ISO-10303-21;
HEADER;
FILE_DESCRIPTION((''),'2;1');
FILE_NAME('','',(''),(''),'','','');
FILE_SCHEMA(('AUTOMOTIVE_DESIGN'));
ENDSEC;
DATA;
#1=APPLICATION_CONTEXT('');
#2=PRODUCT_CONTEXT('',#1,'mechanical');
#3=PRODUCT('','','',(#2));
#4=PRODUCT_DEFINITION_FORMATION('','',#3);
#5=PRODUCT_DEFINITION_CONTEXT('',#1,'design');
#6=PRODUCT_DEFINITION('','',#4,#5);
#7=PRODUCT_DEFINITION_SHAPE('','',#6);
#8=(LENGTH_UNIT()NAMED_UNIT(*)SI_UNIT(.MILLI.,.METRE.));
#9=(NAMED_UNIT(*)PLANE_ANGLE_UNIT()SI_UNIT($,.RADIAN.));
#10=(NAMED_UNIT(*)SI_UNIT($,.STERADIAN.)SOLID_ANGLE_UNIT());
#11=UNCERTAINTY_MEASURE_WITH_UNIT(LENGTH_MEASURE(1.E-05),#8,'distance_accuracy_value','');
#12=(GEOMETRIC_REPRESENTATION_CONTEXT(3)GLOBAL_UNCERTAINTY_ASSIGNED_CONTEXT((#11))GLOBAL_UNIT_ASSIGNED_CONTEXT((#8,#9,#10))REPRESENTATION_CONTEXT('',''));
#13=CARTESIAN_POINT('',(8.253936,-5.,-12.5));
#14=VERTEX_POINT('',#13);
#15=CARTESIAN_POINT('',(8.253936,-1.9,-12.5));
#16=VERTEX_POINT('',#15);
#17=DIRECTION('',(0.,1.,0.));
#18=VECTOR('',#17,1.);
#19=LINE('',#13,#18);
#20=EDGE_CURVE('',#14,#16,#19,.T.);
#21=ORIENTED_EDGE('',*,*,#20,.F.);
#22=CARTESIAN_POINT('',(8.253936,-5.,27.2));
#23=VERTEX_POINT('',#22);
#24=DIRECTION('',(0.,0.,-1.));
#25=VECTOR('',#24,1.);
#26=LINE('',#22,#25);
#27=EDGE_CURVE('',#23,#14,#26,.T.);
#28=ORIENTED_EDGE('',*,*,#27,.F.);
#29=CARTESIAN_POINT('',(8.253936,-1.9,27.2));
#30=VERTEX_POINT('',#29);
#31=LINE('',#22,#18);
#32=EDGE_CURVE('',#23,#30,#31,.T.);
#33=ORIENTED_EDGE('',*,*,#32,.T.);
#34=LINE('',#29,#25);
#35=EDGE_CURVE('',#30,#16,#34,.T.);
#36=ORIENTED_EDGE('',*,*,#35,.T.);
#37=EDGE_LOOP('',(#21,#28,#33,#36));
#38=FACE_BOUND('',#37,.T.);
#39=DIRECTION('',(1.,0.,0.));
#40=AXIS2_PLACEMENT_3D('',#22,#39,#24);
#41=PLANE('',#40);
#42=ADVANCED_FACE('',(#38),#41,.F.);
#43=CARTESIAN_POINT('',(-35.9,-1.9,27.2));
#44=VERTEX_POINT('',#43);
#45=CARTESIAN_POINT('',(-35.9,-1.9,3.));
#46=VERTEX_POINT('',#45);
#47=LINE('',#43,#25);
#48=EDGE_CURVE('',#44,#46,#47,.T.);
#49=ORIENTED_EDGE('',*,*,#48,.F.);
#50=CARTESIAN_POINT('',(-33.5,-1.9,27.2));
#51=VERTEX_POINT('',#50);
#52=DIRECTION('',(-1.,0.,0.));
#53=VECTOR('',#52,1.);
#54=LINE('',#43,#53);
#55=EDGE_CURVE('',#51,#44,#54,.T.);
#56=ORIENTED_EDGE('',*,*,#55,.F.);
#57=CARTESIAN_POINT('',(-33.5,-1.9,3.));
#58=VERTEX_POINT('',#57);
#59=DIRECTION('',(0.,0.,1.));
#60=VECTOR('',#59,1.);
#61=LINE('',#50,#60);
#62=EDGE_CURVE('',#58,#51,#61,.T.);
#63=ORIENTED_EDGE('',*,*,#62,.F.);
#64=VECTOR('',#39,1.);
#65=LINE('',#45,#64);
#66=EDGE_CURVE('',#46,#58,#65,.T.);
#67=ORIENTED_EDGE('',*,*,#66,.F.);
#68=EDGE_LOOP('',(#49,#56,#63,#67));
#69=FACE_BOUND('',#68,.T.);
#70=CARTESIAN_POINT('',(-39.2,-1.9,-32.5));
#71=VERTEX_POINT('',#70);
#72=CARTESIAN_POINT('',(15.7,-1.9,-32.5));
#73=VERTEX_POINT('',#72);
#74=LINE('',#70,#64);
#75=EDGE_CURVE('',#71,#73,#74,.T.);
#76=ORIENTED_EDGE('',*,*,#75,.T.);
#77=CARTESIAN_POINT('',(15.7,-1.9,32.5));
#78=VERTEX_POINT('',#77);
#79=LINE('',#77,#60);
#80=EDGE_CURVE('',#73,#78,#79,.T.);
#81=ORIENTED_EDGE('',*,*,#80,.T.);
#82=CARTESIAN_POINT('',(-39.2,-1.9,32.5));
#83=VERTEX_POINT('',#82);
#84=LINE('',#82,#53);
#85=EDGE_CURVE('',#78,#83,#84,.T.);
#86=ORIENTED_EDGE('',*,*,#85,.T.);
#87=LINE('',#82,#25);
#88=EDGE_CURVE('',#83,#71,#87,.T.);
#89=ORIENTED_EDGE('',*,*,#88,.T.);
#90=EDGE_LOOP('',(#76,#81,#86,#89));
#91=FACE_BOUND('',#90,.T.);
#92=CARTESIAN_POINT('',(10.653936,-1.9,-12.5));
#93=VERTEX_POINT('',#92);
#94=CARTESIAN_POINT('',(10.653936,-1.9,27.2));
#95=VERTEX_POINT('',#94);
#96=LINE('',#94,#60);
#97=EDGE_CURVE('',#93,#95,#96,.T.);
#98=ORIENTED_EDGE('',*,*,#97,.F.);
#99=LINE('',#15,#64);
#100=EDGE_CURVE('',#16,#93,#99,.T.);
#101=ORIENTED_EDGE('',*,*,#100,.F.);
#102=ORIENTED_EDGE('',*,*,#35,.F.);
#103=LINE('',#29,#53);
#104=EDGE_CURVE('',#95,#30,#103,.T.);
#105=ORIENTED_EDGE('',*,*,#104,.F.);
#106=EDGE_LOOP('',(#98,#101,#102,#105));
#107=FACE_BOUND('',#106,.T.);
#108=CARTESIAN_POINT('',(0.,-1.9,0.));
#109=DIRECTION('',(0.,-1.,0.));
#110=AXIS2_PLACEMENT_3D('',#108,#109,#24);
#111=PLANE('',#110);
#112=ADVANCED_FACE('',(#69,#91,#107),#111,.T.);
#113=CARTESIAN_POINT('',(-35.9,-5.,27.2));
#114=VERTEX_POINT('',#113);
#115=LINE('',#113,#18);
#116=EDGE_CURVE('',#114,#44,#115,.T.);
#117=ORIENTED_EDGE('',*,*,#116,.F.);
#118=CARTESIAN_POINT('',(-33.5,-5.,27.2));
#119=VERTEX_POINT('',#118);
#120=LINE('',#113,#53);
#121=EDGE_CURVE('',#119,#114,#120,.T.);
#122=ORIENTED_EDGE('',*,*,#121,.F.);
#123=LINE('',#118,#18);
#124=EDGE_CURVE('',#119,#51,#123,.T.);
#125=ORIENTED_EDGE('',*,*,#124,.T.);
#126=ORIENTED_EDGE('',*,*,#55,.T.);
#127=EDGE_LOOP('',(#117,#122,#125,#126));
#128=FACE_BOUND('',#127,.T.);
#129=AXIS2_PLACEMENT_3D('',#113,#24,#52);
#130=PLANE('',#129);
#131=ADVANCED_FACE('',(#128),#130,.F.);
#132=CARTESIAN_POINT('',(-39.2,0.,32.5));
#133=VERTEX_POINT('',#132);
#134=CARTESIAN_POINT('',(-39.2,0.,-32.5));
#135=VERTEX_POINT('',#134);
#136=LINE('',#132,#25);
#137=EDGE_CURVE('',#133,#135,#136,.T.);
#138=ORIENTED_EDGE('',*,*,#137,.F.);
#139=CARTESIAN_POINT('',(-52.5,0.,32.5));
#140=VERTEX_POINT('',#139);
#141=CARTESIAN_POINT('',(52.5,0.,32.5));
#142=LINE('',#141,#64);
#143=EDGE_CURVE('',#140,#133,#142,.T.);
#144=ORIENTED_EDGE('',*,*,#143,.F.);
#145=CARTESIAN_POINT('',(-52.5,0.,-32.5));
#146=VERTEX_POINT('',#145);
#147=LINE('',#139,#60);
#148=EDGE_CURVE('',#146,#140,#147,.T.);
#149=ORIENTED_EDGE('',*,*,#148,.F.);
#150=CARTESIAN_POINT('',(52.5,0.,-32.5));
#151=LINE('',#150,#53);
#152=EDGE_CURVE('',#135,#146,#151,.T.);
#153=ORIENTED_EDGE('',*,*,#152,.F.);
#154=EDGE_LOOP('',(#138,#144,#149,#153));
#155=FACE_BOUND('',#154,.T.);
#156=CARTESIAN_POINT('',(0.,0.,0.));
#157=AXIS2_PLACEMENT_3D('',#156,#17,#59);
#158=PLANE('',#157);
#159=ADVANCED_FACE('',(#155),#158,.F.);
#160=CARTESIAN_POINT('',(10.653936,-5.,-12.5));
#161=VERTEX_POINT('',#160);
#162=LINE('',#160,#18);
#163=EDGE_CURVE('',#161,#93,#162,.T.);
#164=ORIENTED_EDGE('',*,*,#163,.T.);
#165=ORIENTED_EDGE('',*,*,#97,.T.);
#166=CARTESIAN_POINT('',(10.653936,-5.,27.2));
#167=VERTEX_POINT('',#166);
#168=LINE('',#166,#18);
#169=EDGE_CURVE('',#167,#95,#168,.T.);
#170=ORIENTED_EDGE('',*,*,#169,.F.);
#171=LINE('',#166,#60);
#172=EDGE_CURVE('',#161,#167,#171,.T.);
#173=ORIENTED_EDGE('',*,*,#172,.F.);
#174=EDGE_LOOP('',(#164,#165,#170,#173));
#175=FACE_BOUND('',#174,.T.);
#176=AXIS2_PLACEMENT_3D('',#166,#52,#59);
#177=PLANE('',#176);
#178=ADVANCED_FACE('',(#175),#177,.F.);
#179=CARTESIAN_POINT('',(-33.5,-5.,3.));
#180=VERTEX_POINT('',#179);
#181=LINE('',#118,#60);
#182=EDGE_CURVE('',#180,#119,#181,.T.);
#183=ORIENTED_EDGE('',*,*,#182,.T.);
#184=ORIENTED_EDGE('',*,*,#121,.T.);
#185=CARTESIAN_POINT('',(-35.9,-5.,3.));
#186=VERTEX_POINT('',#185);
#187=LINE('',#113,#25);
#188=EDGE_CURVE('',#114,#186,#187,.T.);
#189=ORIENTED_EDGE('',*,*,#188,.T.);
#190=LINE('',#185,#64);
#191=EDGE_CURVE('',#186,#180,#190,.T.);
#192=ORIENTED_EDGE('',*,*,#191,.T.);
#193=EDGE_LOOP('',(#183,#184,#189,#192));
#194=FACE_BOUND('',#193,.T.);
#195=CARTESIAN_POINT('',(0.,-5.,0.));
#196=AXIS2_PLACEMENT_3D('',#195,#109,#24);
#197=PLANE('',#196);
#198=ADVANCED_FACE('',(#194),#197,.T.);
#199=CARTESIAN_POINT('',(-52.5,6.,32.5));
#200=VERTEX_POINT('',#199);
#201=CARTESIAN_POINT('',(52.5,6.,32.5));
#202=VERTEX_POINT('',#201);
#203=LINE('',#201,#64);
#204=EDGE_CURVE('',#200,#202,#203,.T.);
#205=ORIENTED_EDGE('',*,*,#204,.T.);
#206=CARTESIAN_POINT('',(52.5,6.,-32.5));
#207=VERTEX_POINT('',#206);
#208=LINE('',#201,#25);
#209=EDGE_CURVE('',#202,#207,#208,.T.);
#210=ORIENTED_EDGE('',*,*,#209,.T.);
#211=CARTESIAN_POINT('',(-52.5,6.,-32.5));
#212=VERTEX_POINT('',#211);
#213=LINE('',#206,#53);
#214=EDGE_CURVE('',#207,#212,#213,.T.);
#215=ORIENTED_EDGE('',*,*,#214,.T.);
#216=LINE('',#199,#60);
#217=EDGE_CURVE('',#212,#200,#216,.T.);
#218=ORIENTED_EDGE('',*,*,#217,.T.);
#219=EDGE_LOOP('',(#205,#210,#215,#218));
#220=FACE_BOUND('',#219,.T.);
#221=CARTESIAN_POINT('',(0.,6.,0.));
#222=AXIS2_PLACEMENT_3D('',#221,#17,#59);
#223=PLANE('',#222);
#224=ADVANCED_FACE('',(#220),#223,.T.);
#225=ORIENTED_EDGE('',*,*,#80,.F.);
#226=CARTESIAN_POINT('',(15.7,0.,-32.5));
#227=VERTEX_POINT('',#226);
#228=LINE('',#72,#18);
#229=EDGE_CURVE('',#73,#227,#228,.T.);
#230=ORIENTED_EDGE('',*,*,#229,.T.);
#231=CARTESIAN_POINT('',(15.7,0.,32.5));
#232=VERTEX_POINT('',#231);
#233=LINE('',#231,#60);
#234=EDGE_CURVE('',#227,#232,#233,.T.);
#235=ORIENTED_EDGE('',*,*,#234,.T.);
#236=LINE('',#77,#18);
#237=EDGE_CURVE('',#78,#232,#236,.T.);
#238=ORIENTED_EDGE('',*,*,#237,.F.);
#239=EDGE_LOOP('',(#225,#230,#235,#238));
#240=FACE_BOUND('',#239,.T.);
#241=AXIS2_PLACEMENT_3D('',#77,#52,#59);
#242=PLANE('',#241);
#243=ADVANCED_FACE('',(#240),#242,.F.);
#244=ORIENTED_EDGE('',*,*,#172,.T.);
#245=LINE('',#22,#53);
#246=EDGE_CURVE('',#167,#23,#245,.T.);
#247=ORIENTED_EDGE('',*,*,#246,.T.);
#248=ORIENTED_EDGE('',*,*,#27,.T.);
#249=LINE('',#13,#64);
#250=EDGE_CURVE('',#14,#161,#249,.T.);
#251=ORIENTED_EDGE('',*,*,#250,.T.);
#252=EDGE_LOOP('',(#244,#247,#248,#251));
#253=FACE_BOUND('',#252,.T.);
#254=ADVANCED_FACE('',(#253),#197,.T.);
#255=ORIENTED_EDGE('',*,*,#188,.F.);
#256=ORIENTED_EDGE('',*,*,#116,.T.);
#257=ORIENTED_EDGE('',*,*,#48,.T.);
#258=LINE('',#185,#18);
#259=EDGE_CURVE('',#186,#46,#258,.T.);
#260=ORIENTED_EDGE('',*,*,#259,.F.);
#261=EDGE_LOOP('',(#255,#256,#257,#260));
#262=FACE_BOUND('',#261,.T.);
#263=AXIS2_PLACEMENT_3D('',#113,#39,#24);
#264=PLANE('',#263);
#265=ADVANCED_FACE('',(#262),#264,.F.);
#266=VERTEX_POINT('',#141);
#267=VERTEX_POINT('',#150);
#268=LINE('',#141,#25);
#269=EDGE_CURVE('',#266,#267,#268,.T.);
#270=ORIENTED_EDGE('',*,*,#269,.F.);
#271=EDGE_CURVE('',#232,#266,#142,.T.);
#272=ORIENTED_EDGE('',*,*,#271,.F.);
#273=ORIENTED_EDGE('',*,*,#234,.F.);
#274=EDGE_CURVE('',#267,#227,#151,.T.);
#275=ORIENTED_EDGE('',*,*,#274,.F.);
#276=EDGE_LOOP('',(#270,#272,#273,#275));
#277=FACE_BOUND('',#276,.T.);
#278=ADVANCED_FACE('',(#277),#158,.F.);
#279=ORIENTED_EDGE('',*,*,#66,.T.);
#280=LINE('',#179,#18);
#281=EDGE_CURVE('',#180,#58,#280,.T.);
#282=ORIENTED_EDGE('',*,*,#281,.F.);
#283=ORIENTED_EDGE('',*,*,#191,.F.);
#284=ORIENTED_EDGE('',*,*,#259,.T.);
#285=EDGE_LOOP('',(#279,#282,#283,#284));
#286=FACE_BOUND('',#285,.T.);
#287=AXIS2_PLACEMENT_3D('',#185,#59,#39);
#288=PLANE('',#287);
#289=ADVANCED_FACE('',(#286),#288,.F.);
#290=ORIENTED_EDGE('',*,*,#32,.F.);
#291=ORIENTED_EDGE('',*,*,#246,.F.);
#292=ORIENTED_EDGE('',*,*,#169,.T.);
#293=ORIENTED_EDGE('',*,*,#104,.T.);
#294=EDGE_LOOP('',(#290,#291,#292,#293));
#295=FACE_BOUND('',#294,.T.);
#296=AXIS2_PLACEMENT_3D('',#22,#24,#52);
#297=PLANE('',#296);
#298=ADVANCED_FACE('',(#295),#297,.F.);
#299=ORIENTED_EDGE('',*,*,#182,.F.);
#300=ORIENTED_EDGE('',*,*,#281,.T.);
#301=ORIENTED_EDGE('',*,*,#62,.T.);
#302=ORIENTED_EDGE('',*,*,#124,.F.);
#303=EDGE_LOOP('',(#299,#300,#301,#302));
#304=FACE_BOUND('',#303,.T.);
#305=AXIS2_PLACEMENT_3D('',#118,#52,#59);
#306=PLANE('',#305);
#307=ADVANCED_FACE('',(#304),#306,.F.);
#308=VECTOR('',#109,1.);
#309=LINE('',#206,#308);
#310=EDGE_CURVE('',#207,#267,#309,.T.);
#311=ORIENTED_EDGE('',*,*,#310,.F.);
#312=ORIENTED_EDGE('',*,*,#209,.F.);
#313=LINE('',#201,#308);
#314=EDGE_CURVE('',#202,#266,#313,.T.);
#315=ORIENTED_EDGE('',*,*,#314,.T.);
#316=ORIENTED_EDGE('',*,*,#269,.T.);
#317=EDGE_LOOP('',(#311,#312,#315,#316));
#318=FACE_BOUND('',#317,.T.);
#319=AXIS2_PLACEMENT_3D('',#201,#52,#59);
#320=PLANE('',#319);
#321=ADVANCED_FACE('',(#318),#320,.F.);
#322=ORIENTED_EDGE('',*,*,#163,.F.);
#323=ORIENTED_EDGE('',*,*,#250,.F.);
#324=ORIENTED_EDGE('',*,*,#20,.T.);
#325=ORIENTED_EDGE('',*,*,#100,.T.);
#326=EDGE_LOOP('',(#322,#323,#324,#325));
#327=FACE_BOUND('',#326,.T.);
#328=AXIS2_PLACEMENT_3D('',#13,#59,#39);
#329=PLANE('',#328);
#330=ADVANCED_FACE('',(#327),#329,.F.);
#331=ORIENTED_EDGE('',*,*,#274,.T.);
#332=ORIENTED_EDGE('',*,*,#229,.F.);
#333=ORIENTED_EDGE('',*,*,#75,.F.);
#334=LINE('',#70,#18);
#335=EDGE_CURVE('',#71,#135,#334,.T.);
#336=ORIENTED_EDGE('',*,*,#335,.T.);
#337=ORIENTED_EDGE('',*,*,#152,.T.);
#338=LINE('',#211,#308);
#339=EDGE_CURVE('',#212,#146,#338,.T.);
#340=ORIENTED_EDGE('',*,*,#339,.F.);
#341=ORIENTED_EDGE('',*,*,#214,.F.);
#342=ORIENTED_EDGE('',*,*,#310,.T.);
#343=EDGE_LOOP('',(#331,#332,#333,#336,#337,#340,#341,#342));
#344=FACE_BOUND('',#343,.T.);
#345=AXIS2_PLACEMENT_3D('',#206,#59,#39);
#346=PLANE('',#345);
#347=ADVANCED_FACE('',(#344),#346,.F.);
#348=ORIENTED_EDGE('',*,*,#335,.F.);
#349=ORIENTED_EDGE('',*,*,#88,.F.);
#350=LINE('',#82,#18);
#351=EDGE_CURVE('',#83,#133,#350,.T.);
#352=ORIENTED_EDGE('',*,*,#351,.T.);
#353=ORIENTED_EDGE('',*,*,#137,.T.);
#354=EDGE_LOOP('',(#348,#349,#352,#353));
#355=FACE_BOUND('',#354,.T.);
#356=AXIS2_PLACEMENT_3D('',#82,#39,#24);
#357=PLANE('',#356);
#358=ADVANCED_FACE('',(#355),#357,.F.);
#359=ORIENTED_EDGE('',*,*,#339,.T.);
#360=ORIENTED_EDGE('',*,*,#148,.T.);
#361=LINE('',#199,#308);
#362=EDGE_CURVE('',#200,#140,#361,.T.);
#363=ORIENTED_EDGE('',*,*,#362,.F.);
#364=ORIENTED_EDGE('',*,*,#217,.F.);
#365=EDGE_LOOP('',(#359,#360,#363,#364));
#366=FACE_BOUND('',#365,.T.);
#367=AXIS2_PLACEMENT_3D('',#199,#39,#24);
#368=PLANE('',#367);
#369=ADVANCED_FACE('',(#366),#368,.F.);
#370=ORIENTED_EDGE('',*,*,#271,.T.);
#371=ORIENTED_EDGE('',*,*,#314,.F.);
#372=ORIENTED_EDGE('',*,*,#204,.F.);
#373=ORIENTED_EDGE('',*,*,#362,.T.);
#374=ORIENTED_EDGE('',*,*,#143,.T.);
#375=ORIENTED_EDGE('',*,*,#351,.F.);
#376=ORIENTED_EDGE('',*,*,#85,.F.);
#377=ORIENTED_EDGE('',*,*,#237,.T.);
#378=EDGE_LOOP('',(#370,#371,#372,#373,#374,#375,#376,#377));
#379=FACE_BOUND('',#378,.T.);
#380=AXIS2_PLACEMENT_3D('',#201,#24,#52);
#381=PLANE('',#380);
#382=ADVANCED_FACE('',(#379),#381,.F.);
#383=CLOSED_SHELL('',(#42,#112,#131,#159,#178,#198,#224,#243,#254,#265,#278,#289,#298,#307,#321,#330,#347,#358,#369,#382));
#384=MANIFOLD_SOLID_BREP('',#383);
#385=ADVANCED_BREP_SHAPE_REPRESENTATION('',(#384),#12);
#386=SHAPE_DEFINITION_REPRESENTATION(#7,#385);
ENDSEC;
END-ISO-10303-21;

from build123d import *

# Parameters (mm, degrees)
SKETCH1_W           = 105
SKETCH1_H           = 65
BOSS_EXTRUDE1_DEPTH = 6
SKETCH3_W           = 54.9
SKETCH3_H           = 65
BOSS_EXTRUDE3_DEPTH = 1.9
SKETCH4_W           = 2.4
SKETCH4_H           = 24.2
SKETCH4_H_2         = 39.7
BOSS_EXTRUDE4_DEPTH = 3.1


with BuildPart() as part:
    # Sketch1 → Boss-Extrude1 (new body)
    with BuildSketch(Plane(origin=(0, 0, 0), x_dir=(1, 0, 0), z_dir=(0, 1, 0))):
        Rectangle(SKETCH1_W, SKETCH1_H)
    extrude(amount=BOSS_EXTRUDE1_DEPTH)

    # Sketch3 → Boss-Extrude3 (add)
    with BuildSketch(Plane.XZ):
        with Locations((-11.75, 0)):
            Rectangle(SKETCH3_W, SKETCH3_H)
    extrude(amount=BOSS_EXTRUDE3_DEPTH)

    # Sketch4 → Boss-Extrude4 (add)
    with BuildSketch(Plane.XZ.offset(1.9)):
        with Locations((-34.7, 15.1)):
            Rectangle(SKETCH4_W, SKETCH4_H)
        with Locations((9.453936311, 7.35)):
            Rectangle(SKETCH4_W, SKETCH4_H_2)
    extrude(amount=BOSS_EXTRUDE4_DEPTH)


solid = part.part
